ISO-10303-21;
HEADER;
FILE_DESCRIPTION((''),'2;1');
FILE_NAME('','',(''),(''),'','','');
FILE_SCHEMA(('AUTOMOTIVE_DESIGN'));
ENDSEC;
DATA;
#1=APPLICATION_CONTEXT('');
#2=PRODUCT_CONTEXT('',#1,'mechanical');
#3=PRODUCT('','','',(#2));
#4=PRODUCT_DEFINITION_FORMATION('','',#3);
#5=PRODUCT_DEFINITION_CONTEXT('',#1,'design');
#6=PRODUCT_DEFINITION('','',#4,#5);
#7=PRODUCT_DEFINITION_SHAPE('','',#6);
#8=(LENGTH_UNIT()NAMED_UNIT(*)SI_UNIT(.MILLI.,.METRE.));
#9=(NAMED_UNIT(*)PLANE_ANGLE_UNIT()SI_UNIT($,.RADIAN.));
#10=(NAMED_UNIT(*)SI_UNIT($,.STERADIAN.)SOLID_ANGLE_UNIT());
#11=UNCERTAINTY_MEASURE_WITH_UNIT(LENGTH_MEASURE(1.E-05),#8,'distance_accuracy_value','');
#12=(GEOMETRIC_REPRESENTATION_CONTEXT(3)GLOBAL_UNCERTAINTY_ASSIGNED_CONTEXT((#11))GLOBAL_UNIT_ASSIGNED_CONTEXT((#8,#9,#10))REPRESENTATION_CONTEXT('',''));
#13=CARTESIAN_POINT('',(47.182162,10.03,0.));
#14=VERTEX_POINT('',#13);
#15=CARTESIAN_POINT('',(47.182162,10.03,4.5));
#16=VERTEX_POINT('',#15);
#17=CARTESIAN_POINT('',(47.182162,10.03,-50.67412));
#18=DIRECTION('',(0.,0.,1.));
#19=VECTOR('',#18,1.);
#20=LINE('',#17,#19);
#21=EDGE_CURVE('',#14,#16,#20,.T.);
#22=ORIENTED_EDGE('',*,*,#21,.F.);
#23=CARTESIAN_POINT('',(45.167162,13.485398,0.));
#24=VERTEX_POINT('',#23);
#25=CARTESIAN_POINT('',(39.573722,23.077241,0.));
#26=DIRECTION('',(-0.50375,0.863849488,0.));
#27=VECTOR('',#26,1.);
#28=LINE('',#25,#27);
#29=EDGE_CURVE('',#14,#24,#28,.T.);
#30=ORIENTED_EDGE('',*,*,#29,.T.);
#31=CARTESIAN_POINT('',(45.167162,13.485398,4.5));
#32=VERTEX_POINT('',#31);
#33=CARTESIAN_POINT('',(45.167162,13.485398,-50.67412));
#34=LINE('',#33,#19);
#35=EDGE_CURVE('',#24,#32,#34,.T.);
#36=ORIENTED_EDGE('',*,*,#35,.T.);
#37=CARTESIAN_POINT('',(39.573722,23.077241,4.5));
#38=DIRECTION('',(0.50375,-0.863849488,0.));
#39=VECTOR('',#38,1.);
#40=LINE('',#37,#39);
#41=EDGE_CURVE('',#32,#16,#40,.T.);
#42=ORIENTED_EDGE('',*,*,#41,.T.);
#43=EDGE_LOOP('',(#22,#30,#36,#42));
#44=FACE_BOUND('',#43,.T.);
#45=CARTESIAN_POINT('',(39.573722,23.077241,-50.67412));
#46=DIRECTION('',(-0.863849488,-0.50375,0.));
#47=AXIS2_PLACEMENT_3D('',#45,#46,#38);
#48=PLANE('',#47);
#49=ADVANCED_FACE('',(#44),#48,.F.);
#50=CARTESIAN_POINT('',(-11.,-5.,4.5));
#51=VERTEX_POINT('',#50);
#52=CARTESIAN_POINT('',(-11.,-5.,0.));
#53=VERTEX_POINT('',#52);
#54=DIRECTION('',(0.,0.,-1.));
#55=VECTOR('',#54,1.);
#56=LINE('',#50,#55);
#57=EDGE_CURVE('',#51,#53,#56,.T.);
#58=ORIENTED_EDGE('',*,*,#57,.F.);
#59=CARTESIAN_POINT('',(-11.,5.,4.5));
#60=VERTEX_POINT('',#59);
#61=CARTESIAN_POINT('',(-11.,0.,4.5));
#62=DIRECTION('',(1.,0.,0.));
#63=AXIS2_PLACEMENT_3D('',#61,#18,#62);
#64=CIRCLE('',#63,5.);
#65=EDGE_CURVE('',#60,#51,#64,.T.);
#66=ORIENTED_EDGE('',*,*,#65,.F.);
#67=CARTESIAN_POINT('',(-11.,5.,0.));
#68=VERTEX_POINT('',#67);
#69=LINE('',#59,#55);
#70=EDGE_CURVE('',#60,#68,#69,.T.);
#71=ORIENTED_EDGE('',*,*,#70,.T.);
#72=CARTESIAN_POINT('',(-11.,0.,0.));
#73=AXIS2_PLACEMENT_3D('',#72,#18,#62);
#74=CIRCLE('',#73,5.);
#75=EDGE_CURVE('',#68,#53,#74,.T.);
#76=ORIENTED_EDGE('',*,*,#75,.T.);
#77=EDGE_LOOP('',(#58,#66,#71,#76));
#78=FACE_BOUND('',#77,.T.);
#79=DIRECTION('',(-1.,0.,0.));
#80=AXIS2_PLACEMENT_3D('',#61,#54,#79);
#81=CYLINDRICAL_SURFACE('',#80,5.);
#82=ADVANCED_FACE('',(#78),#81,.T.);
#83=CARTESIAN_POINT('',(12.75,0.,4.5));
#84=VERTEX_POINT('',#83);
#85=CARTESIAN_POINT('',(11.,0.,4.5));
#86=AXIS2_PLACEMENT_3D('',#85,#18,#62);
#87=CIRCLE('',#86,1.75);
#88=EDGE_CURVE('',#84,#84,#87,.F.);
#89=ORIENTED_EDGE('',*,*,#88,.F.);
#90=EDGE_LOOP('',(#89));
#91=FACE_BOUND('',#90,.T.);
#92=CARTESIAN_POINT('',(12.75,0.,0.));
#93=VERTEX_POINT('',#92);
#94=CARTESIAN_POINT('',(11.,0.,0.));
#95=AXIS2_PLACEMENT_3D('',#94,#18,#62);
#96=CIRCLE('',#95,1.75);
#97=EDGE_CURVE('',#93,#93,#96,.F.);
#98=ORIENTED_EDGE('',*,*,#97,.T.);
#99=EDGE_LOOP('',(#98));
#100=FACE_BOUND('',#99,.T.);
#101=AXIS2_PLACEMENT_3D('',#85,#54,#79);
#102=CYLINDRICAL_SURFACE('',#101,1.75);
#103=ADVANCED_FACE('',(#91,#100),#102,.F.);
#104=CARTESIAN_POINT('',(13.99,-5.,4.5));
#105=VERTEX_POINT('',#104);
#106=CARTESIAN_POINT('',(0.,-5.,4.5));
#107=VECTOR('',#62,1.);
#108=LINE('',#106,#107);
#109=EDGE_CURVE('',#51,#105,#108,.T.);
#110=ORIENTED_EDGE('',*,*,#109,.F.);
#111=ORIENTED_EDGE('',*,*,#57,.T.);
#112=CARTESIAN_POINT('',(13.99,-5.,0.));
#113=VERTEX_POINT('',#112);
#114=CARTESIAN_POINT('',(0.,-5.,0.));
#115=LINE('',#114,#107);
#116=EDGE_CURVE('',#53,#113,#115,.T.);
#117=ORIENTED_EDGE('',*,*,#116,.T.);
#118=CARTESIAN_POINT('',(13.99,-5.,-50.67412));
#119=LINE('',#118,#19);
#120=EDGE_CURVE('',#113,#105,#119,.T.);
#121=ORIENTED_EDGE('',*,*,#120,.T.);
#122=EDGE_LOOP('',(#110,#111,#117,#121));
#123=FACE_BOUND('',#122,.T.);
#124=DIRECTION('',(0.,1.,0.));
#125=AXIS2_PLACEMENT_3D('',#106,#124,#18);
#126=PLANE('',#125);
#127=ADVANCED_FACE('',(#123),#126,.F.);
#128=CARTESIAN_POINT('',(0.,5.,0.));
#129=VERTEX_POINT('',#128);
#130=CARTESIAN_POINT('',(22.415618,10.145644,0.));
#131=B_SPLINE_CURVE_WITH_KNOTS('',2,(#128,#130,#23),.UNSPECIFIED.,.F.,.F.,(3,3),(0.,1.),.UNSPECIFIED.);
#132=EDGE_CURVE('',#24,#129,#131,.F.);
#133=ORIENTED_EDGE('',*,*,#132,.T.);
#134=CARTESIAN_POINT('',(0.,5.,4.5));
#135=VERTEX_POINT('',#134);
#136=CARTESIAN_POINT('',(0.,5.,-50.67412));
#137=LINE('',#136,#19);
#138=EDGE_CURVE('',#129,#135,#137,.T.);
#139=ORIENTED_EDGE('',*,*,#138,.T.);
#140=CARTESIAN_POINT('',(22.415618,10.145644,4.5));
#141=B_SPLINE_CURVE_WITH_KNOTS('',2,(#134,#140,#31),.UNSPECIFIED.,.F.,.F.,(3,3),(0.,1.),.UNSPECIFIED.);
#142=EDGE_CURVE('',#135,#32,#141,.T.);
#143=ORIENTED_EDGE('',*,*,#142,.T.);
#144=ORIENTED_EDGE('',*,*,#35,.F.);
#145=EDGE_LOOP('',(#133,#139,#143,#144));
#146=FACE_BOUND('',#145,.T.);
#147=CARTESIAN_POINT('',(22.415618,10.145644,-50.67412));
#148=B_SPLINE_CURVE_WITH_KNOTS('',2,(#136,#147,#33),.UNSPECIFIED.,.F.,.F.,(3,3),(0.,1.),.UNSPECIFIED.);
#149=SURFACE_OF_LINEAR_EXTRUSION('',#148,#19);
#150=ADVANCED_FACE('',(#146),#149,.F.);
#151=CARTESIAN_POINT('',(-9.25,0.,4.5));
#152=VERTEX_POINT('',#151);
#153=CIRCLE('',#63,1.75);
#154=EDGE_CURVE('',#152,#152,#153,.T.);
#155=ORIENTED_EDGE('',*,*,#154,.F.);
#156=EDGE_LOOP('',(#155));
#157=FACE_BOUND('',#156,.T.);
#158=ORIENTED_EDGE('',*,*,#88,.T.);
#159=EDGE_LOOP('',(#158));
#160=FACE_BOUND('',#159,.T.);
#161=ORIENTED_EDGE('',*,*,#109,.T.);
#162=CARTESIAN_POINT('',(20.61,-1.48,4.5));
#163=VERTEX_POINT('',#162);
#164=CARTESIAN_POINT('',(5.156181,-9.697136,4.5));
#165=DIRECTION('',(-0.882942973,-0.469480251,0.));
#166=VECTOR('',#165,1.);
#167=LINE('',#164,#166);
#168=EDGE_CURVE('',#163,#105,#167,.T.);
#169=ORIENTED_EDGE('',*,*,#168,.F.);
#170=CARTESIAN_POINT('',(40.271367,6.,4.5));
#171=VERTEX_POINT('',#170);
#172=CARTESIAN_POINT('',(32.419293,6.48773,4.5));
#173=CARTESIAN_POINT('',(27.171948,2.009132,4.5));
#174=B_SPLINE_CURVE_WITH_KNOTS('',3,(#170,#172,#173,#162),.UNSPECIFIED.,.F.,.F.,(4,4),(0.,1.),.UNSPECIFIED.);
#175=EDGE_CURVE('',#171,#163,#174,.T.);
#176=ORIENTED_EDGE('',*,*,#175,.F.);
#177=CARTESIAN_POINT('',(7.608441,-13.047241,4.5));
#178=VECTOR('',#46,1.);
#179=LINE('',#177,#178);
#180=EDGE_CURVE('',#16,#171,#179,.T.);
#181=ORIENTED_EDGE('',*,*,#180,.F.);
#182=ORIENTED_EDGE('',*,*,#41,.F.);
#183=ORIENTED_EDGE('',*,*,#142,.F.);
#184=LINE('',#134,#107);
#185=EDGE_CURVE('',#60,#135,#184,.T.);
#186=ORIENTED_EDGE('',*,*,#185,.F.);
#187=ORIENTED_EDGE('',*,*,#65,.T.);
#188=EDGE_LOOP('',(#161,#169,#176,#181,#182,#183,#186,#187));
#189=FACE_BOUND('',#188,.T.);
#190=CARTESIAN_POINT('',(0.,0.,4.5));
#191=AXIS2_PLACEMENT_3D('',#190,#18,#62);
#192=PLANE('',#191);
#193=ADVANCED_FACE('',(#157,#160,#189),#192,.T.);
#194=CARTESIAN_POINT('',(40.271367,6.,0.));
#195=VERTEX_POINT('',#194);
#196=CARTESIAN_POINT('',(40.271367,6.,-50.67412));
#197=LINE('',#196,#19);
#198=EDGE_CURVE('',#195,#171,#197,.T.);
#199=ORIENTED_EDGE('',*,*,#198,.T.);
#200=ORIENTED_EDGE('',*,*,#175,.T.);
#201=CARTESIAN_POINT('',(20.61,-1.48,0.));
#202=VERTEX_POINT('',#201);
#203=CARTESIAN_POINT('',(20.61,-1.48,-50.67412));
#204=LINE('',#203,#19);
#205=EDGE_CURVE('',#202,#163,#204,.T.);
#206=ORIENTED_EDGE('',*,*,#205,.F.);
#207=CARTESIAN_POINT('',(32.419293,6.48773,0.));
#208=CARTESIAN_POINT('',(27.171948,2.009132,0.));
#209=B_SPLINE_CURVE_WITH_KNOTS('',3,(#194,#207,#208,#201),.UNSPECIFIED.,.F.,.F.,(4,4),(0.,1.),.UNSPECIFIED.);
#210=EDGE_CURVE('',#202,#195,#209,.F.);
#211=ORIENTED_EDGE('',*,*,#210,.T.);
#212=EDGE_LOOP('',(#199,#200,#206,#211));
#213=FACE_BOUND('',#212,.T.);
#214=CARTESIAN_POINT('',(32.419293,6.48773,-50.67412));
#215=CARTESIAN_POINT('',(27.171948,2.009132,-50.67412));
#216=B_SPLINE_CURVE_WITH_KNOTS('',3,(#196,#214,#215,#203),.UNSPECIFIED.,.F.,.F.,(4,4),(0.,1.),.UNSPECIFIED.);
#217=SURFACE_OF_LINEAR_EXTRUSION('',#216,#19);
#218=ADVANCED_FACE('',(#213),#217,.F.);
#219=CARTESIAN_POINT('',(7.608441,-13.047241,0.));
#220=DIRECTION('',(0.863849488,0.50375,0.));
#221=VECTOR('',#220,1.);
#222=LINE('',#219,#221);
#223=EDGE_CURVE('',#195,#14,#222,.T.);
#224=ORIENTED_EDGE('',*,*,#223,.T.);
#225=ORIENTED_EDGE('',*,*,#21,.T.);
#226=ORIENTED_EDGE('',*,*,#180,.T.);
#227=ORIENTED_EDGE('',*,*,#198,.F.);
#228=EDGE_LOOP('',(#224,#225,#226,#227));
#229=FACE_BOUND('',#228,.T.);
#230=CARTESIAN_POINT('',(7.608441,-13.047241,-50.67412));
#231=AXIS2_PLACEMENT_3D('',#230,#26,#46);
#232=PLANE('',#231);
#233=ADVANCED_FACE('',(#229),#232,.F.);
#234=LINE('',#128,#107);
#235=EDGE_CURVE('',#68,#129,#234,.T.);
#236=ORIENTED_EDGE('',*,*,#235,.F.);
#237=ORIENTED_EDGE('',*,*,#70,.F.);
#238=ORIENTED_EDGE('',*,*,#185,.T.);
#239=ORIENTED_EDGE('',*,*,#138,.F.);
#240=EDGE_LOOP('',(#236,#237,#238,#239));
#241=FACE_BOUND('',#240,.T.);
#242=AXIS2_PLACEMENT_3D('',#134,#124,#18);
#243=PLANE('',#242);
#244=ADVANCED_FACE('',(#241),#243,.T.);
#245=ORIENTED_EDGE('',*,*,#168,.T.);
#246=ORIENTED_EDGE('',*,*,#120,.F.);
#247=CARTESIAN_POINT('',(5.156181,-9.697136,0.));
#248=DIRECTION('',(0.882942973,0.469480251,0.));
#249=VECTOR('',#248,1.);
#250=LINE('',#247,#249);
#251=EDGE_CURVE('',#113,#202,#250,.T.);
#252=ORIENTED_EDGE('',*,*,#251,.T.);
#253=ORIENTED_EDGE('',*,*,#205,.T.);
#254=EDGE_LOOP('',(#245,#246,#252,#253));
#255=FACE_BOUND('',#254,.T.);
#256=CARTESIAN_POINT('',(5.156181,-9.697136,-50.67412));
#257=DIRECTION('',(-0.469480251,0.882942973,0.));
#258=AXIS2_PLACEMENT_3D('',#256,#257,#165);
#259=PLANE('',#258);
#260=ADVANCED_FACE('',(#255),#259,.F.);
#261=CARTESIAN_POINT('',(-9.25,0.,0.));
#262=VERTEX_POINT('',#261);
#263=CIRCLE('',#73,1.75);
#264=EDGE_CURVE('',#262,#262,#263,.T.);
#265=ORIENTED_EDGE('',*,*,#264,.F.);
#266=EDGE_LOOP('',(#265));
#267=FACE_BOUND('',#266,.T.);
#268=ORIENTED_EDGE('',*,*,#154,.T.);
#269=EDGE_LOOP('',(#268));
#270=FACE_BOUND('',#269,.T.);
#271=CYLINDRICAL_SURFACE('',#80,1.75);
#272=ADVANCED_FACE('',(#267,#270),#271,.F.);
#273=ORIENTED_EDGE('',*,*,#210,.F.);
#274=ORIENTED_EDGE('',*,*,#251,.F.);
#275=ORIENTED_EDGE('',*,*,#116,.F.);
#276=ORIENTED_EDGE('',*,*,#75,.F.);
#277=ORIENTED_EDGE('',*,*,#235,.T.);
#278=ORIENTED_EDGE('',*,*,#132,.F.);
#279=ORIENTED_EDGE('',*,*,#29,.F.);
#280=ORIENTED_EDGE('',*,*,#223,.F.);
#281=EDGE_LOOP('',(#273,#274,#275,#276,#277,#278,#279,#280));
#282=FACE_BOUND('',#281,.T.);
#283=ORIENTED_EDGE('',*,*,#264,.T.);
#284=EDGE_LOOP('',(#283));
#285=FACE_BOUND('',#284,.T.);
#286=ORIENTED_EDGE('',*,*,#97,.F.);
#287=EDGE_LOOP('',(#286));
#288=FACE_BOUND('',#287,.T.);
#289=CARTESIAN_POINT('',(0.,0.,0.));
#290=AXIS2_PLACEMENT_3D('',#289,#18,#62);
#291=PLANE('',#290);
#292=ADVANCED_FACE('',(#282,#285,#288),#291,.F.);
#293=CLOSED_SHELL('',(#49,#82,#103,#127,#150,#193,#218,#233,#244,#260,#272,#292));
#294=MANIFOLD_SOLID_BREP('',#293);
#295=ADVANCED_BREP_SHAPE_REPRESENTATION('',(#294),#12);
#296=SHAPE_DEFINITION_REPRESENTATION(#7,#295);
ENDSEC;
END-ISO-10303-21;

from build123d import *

# Parameters (mm, degrees)
SKETCH1_R           = 1.75
BOSS_EXTRUDE1_DEPTH = 4.5
BOSS_EXTRUDE2_START = -4.5
BOSS_EXTRUDE2_DEPTH = 4.5


with BuildPart() as part:
    # Sketch1 → Boss-Extrude1 (new body)
    with BuildSketch(Plane.XY):
        with BuildLine():
            ThreePointArc((-11, 5), (-16, 0), (-11, -5))
            Line((-11, -5), (11.000000019, -5))
            ThreePointArc((11.000000019, -5), (16, 9e-09), (11, 5))
            Line((11, 5), (-11, 5))
        make_face()
        with Locations((-11, 0)):
            Circle(SKETCH1_R, mode=Mode.SUBTRACT)
        with Locations((11, 0)):
            Circle(SKETCH1_R, mode=Mode.SUBTRACT)
    extrude(amount=BOSS_EXTRUDE1_DEPTH)

    # Sketch2 → Boss-Extrude2 (add)
    with BuildSketch(Plane.XY.offset(4.5).offset(BOSS_EXTRUDE2_START)):
        with BuildLine():
            Line((47.182162457, 10.03), (45.167162457, 13.485397951))
            add(Edge.make_bspline(
                [(0, 5), (22.415618243, 10.14564432), (45.167162457, 13.485397951)],
                knots=[0, 0, 0, 1, 1, 1], degree=2))
            Line((0, 5), (11, 5))
            ThreePointArc((11, 5), (16, 0), (11, -5))
            Line((11, -5), (13.99, -5))
            Line((13.99, -5), (20.61, -1.48))
            add(Edge.make_bspline(
                [(40.271366555, 6), (32.419293016, 6.4877302), (27.171947838, 2.009132385), (20.61, -1.48)],
                knots=[0, 0, 0, 0, 1, 1, 1, 1], degree=3))
            Line((40.271366555, 6), (47.182162457, 10.03))
        make_face()
    extrude(amount=BOSS_EXTRUDE2_DEPTH)


solid = part.part
